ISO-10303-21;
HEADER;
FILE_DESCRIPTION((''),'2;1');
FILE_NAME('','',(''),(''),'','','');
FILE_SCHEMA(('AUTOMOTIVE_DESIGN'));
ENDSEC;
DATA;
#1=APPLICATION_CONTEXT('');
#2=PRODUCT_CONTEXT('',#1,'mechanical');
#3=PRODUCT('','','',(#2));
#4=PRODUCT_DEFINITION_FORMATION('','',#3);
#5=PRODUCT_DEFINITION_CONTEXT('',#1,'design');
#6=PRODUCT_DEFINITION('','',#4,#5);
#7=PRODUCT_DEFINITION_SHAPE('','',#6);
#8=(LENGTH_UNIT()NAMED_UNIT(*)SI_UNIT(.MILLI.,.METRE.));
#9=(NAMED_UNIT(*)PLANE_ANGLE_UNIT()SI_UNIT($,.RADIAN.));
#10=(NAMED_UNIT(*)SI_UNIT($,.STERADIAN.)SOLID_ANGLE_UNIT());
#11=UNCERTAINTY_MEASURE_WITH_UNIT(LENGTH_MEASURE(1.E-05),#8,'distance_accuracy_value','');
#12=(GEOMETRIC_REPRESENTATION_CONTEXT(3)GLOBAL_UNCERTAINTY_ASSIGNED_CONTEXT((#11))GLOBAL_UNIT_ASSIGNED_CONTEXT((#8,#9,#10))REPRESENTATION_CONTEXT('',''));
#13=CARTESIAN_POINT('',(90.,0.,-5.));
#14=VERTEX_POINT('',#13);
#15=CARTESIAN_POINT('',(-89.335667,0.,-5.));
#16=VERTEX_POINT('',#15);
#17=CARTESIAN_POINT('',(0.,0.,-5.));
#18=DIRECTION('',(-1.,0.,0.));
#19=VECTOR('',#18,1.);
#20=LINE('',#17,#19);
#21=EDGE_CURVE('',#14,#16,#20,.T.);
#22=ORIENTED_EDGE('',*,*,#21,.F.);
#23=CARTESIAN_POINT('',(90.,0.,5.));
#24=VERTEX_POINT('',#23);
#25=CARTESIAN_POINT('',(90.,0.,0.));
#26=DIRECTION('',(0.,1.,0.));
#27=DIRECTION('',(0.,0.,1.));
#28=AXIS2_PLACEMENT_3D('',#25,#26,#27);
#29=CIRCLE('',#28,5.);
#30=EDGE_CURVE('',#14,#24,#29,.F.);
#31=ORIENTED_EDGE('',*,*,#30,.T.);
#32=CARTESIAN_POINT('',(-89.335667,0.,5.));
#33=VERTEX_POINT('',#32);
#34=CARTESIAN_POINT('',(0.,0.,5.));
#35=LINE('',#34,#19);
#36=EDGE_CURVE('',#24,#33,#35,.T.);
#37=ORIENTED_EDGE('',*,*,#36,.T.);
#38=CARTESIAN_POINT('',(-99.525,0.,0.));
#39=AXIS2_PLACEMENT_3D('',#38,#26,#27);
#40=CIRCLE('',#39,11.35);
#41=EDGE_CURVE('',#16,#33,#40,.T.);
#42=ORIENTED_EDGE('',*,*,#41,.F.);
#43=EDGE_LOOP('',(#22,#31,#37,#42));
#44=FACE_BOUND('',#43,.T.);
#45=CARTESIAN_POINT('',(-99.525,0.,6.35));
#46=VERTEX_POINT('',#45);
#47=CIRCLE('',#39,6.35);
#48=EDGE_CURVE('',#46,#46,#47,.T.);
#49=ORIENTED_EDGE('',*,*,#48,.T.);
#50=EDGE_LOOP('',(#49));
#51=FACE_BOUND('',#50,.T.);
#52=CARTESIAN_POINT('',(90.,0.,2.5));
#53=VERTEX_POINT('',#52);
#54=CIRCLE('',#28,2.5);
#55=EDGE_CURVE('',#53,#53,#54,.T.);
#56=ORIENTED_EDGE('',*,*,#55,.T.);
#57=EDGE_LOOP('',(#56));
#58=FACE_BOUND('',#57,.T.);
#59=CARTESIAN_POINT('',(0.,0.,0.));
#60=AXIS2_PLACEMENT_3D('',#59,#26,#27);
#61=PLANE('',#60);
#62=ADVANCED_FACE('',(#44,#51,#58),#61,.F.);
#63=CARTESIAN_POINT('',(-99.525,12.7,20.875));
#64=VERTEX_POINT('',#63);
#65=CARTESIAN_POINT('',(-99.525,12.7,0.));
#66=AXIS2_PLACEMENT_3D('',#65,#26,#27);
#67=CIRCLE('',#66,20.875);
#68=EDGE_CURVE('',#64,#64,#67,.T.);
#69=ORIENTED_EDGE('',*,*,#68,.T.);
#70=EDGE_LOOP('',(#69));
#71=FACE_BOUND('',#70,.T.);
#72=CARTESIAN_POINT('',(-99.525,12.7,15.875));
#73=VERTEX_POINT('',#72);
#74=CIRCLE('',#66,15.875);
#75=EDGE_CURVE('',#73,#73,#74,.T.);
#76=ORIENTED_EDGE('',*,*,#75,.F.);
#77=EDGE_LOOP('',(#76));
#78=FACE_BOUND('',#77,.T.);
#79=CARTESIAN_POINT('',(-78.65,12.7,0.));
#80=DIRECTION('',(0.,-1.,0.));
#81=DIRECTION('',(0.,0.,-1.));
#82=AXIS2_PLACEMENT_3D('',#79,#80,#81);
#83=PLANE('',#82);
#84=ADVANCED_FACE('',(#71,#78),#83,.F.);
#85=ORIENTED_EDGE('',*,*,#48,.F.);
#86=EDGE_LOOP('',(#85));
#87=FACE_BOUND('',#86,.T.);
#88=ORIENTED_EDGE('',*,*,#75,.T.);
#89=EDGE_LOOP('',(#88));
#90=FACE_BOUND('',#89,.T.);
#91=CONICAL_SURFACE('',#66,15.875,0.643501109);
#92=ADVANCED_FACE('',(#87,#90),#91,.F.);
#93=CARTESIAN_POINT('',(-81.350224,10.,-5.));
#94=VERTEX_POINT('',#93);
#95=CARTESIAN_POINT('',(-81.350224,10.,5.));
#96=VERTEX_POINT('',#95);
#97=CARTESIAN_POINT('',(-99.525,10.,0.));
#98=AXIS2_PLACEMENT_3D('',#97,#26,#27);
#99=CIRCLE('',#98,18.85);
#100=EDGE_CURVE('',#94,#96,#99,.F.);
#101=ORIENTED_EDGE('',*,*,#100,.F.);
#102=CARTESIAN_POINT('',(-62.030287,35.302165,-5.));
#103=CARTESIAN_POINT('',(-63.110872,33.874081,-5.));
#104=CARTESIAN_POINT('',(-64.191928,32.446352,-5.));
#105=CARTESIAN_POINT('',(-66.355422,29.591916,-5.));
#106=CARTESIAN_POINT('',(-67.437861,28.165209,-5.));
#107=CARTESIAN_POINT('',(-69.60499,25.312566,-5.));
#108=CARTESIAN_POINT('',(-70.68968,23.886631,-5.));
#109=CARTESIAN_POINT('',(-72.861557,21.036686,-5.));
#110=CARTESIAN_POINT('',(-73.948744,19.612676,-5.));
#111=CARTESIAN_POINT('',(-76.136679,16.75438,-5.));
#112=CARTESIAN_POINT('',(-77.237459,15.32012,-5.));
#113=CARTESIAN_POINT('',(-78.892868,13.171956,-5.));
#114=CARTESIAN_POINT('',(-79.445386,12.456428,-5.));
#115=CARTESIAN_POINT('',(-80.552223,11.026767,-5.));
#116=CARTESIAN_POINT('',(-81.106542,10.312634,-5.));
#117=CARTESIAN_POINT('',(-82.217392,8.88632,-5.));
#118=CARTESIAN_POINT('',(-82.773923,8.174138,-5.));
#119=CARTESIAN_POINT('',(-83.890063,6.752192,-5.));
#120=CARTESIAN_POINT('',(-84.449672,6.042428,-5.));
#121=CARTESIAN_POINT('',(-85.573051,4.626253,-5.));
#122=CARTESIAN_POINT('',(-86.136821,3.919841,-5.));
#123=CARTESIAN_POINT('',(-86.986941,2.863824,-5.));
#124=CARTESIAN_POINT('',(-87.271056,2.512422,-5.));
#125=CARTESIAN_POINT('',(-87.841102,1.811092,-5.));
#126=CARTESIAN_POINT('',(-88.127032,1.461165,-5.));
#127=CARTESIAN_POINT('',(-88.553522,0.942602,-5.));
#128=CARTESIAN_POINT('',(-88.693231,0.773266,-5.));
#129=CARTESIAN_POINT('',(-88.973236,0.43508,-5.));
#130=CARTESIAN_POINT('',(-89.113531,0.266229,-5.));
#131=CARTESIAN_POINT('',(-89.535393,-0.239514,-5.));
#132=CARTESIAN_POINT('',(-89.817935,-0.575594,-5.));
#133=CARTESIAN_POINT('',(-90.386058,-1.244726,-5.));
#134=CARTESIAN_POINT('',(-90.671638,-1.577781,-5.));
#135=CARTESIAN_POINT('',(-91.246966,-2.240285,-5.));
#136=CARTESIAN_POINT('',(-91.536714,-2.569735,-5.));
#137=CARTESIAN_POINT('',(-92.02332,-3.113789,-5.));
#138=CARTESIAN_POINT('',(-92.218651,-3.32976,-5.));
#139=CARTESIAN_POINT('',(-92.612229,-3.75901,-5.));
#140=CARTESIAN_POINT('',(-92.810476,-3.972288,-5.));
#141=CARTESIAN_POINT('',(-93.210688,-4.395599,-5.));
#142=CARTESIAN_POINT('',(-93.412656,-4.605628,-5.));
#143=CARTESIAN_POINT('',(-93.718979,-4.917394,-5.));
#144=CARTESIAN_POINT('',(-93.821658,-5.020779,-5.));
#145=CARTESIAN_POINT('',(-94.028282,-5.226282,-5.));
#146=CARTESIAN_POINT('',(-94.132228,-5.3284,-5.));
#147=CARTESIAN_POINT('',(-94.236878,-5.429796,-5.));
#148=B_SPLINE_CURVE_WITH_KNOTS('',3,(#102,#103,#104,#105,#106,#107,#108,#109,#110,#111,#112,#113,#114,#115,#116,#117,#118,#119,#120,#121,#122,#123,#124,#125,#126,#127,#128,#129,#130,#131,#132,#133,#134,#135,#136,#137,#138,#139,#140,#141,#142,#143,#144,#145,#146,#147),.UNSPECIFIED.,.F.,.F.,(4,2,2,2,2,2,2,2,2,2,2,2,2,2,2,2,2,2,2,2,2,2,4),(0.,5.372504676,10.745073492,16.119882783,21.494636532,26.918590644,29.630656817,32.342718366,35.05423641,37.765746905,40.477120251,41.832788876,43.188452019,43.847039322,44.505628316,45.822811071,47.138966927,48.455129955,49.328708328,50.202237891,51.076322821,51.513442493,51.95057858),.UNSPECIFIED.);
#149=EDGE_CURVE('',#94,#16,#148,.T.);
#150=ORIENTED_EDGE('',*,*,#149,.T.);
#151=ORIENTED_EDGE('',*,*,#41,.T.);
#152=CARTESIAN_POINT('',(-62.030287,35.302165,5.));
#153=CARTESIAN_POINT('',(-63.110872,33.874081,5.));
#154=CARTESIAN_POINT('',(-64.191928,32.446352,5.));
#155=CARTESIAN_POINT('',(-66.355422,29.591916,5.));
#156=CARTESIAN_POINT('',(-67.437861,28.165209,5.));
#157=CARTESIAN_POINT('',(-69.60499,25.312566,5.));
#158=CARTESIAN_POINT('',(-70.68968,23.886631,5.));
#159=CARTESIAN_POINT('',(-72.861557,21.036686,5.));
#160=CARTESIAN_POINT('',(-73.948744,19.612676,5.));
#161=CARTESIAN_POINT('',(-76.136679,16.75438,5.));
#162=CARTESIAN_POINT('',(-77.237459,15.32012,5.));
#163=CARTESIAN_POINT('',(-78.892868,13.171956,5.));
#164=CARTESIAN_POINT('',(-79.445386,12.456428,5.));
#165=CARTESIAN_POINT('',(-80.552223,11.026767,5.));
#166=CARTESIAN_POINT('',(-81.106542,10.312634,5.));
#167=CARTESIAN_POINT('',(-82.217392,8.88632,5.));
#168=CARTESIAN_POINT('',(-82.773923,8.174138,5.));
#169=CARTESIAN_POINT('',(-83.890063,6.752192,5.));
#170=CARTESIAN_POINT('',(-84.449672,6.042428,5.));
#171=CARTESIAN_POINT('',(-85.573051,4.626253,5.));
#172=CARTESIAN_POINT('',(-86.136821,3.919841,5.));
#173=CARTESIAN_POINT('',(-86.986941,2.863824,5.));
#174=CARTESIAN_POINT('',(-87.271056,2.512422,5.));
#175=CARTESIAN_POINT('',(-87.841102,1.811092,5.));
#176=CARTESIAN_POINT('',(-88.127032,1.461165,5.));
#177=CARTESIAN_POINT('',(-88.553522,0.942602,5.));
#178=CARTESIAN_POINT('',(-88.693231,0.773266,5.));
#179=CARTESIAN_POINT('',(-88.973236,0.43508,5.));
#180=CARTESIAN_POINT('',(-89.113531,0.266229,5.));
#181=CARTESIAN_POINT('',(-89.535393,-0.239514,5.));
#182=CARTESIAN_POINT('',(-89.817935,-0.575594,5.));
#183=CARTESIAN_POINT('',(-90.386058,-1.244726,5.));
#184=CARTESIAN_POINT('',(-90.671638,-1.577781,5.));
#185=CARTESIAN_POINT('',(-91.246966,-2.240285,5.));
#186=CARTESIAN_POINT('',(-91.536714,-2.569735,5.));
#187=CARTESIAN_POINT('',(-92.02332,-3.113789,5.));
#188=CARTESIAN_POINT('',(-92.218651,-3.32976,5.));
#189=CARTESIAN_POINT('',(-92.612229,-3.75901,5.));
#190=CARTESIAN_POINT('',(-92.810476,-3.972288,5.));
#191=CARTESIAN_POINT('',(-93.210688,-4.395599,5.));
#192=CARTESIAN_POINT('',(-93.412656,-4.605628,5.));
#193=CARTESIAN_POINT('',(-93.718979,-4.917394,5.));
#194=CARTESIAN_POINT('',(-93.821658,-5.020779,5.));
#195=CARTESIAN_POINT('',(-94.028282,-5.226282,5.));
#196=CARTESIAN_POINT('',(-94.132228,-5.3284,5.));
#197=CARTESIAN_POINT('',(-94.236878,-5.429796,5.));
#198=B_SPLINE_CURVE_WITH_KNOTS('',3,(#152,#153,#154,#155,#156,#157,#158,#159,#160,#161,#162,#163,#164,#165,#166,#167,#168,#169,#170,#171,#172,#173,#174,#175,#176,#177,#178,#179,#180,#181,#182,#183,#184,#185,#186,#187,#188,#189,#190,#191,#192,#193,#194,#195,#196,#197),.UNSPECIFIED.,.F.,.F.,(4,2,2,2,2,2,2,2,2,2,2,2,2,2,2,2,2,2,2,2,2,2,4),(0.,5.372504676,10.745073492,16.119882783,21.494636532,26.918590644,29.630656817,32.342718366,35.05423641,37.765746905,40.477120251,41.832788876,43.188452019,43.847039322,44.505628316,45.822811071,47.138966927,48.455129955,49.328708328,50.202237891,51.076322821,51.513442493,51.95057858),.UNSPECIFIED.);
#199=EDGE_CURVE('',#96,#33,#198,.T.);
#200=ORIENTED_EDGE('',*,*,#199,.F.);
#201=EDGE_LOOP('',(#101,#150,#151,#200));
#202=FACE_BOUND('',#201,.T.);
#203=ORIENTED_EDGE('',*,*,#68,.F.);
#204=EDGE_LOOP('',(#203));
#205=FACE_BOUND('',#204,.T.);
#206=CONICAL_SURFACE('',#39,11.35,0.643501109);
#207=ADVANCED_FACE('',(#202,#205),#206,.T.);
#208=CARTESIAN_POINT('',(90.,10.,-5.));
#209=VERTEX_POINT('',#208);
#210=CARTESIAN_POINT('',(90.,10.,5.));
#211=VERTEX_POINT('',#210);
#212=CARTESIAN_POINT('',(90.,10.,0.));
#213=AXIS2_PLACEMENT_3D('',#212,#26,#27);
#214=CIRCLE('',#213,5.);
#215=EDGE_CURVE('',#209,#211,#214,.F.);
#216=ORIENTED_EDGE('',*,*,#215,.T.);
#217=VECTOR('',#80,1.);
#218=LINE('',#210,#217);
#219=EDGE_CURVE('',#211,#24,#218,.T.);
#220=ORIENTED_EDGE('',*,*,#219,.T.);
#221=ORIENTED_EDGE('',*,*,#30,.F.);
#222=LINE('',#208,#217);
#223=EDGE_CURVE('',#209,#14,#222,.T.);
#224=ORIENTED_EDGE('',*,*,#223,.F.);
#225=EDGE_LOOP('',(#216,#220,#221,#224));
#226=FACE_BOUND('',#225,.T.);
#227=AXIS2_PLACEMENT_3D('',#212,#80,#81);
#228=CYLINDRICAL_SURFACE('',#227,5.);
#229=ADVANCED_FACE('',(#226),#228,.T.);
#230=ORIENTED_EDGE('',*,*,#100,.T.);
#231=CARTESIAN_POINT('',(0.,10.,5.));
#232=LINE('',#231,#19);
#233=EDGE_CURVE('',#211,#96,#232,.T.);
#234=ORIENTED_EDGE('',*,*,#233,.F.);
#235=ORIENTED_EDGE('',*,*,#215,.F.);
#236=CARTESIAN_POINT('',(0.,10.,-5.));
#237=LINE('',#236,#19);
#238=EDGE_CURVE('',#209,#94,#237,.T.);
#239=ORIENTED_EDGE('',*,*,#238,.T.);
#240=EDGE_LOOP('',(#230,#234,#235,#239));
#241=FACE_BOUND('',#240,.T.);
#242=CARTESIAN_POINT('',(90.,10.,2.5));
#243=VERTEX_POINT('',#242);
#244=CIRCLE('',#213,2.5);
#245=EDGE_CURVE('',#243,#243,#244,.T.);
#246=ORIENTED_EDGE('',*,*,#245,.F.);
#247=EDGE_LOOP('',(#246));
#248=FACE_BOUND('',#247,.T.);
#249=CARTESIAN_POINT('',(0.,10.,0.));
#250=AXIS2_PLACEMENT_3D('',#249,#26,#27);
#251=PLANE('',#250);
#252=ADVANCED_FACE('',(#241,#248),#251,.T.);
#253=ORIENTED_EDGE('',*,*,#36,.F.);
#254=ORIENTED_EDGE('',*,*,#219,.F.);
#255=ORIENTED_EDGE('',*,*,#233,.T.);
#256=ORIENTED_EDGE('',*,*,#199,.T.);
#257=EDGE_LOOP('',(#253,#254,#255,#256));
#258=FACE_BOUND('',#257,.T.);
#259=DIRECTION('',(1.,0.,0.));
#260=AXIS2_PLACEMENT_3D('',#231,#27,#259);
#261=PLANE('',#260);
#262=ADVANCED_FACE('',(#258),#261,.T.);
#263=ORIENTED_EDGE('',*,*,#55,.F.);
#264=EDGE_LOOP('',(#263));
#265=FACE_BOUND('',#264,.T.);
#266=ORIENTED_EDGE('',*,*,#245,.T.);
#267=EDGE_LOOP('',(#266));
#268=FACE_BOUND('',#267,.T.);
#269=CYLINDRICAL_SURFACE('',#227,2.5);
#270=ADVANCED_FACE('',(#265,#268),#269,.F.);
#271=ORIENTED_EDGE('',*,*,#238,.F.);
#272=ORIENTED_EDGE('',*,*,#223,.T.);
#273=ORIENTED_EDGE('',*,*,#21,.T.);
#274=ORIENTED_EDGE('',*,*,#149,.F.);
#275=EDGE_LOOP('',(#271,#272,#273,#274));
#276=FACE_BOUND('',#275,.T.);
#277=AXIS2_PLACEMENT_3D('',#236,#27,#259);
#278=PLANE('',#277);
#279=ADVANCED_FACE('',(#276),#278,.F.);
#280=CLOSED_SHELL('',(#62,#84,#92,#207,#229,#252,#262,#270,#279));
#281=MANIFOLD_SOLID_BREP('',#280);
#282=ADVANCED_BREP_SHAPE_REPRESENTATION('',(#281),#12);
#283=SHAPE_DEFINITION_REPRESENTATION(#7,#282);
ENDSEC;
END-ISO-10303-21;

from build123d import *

# Parameters (mm, degrees)
SKETCH1_R           = 2.5
BOSS_EXTRUDE2_DEPTH = 10


with BuildPart() as part:
    # Sketch1 → Boss-Extrude2 (new body)
    with BuildSketch(Plane(origin=(0, 0, 0), x_dir=(1, 0, 0), z_dir=(0, 1, 0))):
        with BuildLine():
            ThreePointArc((90, 5), (95, 0), (90, -5))
            Line((90, -5), (-90, -5))
            Line((-90, -5), (-90, 5))
            Line((-90, 5), (90, 5))
        make_face()
        with Locations(Location((90, 0, 0), (0, 0, 270))):
            Circle(SKETCH1_R, mode=Mode.SUBTRACT)
    extrude(amount=BOSS_EXTRUDE2_DEPTH)

    # Sketch6 → Revolve2 (revolve)
    with BuildSketch(Plane.XY, mode=Mode.PRIVATE) as revolve2_sk:
        Polygon((-88.175, 0), (-78.65, 12.7), (-83.65, 12.7), (-93.175, 0), align=None)
    revolve(revolve2_sk.sketch.rotate(Axis((-99.525, 14.826221604, 0), (0, -1, 0)), 90), axis=Axis((-99.525, 14.826221604, 0), (0, -1, 0)))

    # Sketch7 → Cut-Revolve1 (revolve, cut)
    with BuildSketch(Plane.XY):
        Polygon((-83.65, 12.7), (-93.175, 0), (-99.525, 0), (-99.525, 12.7), align=None)
    revolve(axis=Axis((-99.525, 12.7, 0), (0, -1, 0)), mode=Mode.SUBTRACT)


solid = part.part
